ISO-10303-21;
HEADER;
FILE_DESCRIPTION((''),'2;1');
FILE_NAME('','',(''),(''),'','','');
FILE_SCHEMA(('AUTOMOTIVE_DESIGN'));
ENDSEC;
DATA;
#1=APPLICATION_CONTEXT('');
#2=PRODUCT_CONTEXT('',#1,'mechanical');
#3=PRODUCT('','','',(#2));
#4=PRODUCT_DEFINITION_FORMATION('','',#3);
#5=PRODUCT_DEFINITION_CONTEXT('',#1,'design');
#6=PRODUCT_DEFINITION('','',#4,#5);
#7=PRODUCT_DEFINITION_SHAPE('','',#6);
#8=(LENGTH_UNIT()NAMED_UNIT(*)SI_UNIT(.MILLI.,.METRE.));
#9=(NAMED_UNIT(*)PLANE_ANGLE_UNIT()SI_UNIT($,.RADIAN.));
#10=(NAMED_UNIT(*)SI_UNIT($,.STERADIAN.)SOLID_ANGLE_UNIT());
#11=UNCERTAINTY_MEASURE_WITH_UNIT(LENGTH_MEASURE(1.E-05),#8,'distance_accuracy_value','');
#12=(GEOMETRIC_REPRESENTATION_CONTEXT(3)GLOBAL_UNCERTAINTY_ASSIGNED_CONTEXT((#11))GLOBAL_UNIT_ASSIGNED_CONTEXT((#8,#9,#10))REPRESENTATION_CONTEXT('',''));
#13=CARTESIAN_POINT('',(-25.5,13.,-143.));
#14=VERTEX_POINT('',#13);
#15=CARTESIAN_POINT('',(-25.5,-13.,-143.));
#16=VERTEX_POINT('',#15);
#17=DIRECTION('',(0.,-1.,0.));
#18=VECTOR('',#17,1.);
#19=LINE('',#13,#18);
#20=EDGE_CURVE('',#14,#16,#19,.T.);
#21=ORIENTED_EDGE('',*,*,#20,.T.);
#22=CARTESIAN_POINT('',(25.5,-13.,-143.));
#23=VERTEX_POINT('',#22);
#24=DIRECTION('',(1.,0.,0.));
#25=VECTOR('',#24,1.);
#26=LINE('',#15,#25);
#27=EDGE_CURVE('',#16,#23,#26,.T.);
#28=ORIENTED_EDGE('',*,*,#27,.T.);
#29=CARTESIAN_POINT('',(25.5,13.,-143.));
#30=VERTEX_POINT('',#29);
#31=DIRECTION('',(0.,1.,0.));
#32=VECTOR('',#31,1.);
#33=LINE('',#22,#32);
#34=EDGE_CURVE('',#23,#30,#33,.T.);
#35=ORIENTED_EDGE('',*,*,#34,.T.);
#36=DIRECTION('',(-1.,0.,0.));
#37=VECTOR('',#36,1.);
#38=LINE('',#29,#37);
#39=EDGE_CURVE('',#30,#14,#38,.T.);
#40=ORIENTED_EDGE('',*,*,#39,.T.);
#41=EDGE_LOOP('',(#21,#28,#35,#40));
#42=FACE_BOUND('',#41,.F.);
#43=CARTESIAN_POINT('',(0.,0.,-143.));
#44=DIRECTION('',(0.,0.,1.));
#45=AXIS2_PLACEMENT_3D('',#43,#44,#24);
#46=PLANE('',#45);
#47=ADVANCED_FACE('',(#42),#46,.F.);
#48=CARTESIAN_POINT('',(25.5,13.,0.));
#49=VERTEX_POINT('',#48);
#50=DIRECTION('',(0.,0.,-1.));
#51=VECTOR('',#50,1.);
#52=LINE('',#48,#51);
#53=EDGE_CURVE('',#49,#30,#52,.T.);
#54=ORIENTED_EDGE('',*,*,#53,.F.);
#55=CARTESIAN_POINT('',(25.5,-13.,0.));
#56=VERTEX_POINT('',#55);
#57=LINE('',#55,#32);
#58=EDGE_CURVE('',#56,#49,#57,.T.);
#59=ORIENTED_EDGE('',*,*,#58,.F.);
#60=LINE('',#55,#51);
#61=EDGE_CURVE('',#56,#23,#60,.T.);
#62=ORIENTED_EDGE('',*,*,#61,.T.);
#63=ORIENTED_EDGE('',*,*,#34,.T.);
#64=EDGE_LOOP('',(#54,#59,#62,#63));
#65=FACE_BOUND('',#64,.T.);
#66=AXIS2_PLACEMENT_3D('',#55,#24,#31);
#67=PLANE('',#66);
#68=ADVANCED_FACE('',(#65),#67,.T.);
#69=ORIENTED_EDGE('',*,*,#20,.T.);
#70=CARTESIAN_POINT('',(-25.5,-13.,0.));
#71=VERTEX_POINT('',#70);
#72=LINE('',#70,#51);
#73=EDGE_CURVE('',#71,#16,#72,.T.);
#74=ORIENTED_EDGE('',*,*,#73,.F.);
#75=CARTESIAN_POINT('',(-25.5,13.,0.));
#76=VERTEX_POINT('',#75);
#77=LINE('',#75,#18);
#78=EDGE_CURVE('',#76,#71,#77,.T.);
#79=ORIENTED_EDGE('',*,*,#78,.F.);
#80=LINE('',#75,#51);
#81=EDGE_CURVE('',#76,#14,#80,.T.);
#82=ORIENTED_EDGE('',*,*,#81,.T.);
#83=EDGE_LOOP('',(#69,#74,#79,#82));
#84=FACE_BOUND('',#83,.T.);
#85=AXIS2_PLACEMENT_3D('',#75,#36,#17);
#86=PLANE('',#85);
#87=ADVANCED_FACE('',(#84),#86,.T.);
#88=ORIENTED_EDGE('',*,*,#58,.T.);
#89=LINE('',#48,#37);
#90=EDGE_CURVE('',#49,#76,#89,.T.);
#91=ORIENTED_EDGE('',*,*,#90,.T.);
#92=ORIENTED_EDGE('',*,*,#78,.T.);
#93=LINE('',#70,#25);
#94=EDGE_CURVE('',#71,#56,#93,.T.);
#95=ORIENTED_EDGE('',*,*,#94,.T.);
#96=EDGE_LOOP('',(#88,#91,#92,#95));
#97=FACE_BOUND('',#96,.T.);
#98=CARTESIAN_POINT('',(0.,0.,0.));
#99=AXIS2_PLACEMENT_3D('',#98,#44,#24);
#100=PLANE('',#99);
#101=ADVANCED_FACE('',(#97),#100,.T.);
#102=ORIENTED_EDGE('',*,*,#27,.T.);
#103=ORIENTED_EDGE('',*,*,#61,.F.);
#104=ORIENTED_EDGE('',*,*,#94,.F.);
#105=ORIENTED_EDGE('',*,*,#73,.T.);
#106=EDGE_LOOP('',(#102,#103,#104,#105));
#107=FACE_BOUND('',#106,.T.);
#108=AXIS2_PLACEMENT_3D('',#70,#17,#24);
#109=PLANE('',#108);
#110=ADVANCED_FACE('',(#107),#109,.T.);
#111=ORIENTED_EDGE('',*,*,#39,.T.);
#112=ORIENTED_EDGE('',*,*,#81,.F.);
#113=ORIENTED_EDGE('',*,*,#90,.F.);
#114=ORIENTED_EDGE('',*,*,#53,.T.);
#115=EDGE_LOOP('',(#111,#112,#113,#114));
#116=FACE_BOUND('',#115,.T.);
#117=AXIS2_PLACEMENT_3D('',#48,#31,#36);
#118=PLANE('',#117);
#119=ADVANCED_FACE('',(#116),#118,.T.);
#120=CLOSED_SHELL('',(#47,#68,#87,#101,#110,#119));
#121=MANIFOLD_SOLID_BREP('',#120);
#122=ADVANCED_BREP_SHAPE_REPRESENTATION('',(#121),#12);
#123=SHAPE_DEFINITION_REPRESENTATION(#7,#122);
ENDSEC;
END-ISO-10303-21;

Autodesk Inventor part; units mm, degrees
ref_plane "YZ Plane" through (0, 0, 0) normal (1, 0, 0) x (0, 1, 0)
ref_plane "XZ Plane" through (0, 0, 0) normal (0, 1, 0) x (-1, 0, 0)
ref_plane "XY Plane" through (0, 0, 0) normal (0, 0, 1) x (1, 0, 0)
sketch "Sketch1" plane through (0, 0, 0) normal (0, 0, 1) x (1, 0, 0)
  line L0 (-25.5, -13) -> (25.5, -13)
  line L1 (25.5, -13) -> (25.5, 13)
  line L2 (25.5, 13) -> (-25.5, 13)
  line L3 (-25.5, 13) -> (-25.5, -13)
  line L4 (-25.5, -13) -> (25.5, 13) construction
  line L5 (25.5, -13) -> (-25.5, 13) construction
  point P0 (0, 0)
  dimension "d0" = 51
  dimension "d1" = 26
extrude "Lipo Body" add sketch "Sketch1" against normal blind 143
properties part number "3s lipo battery"
